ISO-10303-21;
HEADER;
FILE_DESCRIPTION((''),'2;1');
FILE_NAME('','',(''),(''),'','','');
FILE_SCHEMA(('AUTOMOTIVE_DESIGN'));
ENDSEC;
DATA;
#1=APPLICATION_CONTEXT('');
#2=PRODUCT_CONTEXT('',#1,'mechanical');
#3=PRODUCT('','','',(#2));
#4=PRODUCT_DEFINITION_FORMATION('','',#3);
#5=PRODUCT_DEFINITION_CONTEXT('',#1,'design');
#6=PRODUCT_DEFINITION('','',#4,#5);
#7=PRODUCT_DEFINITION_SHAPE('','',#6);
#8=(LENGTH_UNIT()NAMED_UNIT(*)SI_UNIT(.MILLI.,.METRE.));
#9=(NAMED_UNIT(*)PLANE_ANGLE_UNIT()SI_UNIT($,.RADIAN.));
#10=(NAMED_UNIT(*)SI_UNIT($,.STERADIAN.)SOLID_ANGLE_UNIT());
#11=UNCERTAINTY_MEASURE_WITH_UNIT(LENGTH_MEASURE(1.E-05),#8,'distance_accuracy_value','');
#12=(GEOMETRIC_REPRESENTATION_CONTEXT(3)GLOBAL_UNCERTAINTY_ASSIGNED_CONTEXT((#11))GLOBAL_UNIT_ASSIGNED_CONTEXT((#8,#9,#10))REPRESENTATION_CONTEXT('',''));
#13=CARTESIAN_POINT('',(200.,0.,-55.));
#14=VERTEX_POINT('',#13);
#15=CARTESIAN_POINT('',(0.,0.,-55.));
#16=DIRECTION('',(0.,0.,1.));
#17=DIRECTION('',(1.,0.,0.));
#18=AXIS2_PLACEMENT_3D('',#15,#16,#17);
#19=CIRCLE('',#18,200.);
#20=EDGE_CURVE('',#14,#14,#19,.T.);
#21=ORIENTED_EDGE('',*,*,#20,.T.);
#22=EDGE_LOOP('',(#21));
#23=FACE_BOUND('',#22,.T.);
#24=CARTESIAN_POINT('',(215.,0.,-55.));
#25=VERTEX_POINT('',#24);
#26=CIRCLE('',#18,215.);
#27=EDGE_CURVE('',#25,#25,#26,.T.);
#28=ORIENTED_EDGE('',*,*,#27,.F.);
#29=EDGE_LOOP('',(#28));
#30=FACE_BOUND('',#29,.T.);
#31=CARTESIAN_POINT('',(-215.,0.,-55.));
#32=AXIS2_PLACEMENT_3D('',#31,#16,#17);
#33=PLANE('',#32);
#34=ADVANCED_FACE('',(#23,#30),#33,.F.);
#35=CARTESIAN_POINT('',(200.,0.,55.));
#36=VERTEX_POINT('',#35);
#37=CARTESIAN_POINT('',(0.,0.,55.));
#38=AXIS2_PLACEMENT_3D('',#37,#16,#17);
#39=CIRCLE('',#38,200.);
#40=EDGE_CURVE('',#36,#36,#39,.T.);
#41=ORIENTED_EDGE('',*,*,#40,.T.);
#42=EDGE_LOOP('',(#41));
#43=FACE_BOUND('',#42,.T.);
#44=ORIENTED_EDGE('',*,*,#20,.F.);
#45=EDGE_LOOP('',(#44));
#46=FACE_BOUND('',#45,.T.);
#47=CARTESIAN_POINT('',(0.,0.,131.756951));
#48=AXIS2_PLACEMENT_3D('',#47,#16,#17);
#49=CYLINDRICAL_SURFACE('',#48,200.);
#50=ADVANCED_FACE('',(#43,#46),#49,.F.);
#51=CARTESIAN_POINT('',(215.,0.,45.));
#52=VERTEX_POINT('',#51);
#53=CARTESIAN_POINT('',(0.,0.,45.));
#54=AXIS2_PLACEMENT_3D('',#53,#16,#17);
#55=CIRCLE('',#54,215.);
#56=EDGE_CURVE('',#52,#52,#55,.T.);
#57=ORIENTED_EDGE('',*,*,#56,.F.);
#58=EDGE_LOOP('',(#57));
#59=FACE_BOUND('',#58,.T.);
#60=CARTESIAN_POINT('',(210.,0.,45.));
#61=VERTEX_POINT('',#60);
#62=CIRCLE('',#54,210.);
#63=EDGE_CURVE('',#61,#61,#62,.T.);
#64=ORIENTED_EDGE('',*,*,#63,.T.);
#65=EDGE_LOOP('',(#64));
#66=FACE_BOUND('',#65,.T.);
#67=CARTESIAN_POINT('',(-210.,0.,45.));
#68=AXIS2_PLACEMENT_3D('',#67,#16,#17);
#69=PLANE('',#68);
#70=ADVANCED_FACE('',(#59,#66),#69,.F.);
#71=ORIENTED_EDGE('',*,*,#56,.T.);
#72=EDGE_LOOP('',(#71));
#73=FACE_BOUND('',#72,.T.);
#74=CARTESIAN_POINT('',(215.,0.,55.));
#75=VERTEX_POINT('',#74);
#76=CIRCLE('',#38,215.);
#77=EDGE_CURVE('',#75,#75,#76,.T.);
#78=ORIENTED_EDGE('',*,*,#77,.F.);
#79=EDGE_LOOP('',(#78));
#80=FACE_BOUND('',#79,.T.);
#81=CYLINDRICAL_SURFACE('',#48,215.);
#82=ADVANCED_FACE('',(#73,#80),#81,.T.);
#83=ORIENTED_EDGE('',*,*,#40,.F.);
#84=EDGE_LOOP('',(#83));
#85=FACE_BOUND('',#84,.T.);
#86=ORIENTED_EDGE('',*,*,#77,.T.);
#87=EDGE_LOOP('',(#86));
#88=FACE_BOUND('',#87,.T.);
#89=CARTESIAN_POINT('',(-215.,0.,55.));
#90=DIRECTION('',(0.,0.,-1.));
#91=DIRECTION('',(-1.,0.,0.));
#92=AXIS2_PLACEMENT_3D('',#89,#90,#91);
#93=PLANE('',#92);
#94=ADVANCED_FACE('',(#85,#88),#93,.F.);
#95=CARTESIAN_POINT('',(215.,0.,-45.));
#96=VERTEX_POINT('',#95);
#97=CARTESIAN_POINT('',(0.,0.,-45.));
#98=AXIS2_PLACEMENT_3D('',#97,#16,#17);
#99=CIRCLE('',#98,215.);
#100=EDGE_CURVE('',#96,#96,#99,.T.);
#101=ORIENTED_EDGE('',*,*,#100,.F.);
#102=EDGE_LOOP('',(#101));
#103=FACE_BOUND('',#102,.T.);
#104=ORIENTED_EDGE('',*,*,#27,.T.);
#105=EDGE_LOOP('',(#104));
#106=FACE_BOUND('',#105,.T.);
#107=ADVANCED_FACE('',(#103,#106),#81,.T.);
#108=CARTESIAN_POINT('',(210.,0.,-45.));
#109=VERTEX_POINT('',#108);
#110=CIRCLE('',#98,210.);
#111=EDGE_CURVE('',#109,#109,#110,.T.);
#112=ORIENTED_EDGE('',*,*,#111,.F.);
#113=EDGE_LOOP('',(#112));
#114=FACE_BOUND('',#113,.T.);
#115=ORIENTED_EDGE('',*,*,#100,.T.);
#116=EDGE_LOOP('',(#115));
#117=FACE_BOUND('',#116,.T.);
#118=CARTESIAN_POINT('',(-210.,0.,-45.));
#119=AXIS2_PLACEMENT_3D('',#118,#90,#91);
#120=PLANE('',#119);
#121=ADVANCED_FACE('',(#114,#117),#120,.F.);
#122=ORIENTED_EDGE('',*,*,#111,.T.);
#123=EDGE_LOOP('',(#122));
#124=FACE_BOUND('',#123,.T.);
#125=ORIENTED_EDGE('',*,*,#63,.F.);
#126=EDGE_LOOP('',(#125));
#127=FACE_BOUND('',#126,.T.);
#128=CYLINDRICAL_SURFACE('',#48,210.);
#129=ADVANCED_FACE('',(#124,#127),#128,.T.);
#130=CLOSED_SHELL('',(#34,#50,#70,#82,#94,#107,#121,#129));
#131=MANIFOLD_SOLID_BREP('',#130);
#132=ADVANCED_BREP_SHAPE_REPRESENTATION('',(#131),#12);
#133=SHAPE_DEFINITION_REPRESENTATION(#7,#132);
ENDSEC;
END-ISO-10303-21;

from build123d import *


with BuildPart() as part:
    # Sketch2 → Revolve1 (revolve)
    with BuildSketch(Plane(origin=(0, 0, 0), x_dir=(1, 0, 0), z_dir=(0, 1, 0))):
        Polygon((-210, 45), (-215, 45), (-215, 55), (-200, 55), (-200, -55), (-215, -55), (-215, -45), (-210, -45), align=None)
    revolve(axis=Axis((0, 0, 131.756950561), (0, 0, -1)))


solid = part.part
